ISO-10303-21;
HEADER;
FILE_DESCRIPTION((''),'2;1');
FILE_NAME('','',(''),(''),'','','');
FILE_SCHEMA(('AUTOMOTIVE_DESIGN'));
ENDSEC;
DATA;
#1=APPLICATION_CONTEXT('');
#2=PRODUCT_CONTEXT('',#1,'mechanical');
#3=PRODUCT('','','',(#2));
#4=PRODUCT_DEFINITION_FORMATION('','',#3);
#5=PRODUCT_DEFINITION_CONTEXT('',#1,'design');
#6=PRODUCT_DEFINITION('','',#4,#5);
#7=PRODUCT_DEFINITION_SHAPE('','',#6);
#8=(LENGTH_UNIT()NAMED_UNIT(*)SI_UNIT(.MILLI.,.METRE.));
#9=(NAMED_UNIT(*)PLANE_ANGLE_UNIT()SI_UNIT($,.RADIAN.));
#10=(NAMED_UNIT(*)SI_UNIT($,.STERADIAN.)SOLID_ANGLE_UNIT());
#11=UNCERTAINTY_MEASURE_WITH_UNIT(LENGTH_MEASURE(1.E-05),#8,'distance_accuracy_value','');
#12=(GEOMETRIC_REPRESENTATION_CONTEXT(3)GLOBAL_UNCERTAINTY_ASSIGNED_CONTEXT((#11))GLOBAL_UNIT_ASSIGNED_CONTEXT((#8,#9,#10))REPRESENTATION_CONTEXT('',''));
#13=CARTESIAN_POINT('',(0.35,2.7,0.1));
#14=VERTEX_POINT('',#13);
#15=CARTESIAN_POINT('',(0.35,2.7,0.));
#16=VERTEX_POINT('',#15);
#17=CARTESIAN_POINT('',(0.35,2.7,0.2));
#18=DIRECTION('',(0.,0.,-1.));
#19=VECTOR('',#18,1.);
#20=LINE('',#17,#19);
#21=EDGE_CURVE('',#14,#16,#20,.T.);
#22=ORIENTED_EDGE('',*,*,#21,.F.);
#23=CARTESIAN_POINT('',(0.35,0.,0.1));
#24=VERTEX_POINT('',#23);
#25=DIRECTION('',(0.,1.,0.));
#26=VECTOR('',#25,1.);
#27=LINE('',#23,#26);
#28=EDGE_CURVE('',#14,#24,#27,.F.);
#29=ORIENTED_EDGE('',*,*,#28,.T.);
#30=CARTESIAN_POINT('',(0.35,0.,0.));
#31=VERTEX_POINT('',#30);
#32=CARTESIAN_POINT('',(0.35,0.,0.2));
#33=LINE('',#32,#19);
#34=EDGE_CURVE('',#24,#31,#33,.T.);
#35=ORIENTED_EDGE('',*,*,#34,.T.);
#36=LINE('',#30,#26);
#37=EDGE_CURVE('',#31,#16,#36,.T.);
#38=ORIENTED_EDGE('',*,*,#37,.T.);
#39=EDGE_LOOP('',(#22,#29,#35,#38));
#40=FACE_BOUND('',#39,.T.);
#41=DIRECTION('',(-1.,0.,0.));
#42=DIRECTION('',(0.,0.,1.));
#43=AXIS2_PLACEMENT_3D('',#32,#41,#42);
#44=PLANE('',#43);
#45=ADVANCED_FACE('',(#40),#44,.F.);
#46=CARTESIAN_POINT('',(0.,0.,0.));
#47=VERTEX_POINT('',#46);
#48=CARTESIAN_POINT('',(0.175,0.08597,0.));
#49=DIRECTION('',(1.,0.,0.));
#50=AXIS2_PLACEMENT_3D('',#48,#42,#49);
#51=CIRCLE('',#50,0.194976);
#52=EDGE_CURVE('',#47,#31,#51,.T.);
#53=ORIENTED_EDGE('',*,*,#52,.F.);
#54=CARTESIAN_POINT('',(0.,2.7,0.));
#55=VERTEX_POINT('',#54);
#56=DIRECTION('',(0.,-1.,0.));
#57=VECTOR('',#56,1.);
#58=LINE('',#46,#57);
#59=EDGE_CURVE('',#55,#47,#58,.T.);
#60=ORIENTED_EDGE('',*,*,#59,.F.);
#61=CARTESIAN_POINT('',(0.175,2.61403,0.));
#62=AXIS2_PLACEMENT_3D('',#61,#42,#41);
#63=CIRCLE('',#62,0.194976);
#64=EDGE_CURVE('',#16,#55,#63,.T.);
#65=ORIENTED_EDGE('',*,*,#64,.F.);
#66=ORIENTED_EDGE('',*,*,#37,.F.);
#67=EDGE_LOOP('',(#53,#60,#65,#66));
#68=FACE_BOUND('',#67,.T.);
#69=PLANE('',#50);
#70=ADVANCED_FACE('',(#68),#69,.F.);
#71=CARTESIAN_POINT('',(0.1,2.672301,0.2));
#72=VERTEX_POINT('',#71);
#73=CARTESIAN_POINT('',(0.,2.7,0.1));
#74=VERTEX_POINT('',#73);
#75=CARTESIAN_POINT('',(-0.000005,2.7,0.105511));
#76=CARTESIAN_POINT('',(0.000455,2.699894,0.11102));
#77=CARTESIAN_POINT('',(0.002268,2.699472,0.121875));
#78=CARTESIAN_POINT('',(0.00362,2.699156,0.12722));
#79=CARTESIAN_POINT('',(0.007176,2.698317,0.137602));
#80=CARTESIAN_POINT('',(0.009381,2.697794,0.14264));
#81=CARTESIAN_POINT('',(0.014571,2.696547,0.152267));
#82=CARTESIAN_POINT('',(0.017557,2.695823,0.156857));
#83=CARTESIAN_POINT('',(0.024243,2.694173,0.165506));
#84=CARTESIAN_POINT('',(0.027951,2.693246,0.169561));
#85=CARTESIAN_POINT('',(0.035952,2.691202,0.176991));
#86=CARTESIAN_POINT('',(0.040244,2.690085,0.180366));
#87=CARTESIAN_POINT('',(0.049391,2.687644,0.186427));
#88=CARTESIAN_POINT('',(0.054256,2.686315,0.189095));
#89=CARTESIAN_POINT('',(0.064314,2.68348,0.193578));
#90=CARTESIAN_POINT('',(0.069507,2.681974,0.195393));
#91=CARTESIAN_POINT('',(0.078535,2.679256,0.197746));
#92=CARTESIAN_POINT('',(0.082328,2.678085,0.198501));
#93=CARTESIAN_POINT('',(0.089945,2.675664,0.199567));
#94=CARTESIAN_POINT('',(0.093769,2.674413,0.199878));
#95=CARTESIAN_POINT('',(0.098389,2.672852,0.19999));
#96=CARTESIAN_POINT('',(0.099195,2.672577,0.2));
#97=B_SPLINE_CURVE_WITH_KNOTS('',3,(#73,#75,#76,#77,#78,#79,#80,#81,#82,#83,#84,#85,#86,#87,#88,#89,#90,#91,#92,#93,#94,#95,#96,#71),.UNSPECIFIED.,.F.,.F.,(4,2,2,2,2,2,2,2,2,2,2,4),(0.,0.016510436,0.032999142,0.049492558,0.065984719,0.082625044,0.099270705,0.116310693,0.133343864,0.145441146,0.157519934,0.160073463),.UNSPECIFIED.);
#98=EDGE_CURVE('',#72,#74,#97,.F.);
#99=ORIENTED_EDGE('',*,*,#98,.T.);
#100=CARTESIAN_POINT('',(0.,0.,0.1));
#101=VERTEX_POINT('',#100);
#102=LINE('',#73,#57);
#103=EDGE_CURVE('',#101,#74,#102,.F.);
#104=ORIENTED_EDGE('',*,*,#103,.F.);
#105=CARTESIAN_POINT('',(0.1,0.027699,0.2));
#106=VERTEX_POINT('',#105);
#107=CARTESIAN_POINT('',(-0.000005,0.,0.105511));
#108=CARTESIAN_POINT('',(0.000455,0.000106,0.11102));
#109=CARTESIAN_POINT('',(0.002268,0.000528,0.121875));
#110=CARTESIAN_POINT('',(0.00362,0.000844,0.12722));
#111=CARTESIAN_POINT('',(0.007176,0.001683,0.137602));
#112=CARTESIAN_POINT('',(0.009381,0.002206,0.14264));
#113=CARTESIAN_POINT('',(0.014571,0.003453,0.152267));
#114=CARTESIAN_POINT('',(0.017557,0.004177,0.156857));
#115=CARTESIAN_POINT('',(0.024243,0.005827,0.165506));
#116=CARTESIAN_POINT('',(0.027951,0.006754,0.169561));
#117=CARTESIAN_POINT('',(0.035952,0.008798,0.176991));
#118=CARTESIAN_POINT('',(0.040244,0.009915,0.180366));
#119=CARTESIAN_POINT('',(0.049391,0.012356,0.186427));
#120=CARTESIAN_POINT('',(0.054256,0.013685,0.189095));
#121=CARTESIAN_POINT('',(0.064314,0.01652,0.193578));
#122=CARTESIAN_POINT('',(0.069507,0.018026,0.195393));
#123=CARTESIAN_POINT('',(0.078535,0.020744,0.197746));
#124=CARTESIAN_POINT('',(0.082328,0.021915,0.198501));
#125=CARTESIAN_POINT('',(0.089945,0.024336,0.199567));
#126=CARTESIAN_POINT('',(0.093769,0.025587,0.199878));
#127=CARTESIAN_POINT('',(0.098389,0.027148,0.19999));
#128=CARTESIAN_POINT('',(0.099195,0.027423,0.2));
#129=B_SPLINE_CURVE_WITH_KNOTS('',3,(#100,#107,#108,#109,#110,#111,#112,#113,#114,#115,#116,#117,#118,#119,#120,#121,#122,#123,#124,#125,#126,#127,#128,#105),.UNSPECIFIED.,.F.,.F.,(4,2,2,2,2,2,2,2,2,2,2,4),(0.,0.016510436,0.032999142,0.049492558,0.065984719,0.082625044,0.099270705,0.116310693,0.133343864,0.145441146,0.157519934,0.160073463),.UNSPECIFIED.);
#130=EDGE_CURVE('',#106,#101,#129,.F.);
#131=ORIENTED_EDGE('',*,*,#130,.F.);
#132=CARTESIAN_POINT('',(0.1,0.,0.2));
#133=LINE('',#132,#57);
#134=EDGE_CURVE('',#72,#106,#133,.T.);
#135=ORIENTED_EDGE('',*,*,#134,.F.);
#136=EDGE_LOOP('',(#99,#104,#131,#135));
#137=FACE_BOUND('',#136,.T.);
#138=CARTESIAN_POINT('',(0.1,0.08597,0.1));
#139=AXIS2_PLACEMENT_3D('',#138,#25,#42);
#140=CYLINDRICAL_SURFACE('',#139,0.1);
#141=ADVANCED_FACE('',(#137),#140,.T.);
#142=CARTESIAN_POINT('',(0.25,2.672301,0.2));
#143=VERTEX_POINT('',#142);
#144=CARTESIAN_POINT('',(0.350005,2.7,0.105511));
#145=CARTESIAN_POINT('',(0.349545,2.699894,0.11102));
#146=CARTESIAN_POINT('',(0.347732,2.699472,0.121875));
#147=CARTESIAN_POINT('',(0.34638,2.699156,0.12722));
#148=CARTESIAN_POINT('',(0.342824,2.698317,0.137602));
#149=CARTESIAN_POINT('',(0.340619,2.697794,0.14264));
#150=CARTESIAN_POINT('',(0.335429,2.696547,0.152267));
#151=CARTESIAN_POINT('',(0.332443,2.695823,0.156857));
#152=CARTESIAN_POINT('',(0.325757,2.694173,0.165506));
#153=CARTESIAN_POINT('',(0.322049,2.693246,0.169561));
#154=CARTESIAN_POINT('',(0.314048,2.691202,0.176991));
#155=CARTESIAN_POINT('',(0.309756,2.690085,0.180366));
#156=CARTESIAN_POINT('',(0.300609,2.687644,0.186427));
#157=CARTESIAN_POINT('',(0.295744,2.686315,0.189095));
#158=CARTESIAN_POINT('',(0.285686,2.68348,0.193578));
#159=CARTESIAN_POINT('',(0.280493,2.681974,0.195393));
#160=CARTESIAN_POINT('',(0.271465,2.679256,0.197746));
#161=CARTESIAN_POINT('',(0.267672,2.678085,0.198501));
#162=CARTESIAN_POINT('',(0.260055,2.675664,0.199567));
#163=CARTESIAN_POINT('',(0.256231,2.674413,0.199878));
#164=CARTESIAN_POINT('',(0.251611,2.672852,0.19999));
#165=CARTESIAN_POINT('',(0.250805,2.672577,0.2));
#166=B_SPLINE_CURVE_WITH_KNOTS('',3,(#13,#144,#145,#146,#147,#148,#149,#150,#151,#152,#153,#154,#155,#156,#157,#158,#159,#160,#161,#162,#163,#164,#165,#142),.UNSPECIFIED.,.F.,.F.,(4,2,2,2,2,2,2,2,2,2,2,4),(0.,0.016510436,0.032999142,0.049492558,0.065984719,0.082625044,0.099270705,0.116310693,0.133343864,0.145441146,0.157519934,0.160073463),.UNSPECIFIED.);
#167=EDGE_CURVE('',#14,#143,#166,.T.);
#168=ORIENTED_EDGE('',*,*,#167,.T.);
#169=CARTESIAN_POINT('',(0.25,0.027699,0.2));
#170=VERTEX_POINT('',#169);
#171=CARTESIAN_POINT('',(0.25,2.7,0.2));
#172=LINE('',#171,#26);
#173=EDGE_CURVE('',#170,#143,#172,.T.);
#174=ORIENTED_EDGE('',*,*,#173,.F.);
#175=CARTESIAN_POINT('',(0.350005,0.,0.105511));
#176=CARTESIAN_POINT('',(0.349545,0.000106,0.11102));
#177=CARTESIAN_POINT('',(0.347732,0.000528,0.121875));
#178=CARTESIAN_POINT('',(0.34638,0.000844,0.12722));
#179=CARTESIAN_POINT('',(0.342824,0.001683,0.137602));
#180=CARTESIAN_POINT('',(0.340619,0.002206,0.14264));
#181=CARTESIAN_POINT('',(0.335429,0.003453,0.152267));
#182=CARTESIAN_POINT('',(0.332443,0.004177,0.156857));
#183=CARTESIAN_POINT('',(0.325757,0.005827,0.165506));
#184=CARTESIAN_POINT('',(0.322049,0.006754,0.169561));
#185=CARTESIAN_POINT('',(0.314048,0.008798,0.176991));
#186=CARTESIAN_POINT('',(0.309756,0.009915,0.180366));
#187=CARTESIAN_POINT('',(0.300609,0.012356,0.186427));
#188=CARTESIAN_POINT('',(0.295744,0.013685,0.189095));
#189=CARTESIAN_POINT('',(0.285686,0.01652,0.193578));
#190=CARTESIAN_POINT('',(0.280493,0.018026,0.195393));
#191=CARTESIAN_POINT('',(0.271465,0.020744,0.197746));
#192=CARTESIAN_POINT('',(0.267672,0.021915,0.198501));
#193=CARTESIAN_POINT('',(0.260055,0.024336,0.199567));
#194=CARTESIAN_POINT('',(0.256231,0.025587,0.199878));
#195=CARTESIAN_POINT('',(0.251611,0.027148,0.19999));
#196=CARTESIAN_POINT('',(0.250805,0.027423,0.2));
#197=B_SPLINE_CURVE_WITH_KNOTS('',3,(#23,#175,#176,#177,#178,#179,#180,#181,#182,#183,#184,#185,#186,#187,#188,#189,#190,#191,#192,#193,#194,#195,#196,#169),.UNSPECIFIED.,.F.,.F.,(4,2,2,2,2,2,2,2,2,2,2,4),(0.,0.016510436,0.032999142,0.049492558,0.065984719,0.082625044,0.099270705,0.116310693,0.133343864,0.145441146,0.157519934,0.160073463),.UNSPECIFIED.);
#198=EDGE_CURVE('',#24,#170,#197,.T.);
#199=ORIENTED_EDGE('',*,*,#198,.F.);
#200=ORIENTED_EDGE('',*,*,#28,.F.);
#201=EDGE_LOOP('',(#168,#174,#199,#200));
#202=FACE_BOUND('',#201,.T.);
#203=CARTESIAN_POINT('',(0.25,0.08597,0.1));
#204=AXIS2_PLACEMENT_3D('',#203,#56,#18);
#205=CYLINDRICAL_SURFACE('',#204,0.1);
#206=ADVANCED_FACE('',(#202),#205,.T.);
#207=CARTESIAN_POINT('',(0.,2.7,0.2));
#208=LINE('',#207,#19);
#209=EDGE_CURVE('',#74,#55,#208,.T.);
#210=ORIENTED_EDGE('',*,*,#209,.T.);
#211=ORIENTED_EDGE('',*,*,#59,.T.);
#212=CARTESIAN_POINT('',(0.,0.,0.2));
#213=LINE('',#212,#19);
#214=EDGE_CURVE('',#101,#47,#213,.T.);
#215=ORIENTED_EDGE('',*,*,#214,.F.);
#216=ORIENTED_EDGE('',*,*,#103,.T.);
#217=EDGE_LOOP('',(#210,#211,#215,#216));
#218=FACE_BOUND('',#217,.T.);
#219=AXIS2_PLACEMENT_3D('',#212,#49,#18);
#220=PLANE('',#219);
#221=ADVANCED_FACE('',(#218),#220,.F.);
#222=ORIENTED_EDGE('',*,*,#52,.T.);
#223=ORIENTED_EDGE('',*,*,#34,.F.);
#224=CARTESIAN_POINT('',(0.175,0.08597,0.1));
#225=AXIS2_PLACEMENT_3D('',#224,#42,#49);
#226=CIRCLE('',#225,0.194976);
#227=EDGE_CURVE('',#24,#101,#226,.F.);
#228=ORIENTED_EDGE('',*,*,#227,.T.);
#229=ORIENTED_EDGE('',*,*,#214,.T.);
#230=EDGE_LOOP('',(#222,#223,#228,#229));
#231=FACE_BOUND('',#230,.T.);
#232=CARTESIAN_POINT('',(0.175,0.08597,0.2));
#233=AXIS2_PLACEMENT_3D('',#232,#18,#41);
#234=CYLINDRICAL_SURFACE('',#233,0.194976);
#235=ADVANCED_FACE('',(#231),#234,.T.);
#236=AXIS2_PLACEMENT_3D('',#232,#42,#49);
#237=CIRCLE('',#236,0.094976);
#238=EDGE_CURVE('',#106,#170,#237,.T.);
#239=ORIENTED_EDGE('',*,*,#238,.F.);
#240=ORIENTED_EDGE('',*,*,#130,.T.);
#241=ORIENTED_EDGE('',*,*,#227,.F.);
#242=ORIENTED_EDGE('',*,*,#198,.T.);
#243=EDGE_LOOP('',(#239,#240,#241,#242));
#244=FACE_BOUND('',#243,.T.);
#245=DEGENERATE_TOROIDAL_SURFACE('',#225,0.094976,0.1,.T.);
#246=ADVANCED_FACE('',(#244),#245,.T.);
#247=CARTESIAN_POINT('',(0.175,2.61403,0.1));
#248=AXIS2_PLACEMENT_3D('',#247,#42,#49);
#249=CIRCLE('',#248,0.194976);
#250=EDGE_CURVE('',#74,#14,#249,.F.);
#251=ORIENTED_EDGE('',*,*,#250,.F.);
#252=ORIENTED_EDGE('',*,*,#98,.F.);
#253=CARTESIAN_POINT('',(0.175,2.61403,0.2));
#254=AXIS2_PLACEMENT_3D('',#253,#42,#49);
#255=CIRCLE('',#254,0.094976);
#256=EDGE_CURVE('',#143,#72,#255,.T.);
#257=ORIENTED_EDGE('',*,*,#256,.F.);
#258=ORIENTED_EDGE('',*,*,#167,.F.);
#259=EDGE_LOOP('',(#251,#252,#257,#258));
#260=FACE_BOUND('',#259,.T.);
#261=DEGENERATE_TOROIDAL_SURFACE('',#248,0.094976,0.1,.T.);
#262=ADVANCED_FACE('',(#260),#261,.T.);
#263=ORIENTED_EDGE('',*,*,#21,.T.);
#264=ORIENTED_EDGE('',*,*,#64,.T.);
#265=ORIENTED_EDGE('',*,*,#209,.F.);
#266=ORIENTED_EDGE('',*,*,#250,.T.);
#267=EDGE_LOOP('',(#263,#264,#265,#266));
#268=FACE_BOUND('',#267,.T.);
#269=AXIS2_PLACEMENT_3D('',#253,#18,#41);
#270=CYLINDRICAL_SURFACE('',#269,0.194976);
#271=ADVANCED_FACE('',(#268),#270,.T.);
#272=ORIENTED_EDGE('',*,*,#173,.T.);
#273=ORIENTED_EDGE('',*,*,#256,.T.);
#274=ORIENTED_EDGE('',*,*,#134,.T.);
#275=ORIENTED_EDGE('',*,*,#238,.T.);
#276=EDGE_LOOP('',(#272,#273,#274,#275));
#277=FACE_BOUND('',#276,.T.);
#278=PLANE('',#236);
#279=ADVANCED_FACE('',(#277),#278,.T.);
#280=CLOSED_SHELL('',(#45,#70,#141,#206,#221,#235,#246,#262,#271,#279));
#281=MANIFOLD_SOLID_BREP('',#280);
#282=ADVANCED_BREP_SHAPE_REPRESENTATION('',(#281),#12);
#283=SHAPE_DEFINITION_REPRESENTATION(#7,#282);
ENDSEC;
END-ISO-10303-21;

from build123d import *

# Parameters (mm, degrees)
BOSS_EXTRU_1_DEPTH = 0.2
CONG_1_R           = 0.1


with BuildPart() as part:
    # Esquisse1 → Boss.-Extru.1 (new body)
    with BuildSketch(Plane.XY):
        with BuildLine():
            Line((0, 0), (0, 2.7))
            ThreePointArc((0, 2.7), (0.175, 2.809006611), (0.35, 2.7))
            Line((0.35, 2.7), (0.35, 0))
            ThreePointArc((0.35, 0), (0.175, -0.109006611), (0, 0))
        make_face()
    extrude(amount=BOSS_EXTRU_1_DEPTH)

    # Congé1
    cong_1_edges = [part.edges().sort_by_distance(p)[0] for p in [
        (0.175, 2.809006611, 0.2),
        (0, 1.35, 0.2),
        (0.175, -0.109006611, 0.2),
        (0.35, 1.35, 0.2),
    ]]
    fillet(cong_1_edges, radius=CONG_1_R)


solid = part.part
